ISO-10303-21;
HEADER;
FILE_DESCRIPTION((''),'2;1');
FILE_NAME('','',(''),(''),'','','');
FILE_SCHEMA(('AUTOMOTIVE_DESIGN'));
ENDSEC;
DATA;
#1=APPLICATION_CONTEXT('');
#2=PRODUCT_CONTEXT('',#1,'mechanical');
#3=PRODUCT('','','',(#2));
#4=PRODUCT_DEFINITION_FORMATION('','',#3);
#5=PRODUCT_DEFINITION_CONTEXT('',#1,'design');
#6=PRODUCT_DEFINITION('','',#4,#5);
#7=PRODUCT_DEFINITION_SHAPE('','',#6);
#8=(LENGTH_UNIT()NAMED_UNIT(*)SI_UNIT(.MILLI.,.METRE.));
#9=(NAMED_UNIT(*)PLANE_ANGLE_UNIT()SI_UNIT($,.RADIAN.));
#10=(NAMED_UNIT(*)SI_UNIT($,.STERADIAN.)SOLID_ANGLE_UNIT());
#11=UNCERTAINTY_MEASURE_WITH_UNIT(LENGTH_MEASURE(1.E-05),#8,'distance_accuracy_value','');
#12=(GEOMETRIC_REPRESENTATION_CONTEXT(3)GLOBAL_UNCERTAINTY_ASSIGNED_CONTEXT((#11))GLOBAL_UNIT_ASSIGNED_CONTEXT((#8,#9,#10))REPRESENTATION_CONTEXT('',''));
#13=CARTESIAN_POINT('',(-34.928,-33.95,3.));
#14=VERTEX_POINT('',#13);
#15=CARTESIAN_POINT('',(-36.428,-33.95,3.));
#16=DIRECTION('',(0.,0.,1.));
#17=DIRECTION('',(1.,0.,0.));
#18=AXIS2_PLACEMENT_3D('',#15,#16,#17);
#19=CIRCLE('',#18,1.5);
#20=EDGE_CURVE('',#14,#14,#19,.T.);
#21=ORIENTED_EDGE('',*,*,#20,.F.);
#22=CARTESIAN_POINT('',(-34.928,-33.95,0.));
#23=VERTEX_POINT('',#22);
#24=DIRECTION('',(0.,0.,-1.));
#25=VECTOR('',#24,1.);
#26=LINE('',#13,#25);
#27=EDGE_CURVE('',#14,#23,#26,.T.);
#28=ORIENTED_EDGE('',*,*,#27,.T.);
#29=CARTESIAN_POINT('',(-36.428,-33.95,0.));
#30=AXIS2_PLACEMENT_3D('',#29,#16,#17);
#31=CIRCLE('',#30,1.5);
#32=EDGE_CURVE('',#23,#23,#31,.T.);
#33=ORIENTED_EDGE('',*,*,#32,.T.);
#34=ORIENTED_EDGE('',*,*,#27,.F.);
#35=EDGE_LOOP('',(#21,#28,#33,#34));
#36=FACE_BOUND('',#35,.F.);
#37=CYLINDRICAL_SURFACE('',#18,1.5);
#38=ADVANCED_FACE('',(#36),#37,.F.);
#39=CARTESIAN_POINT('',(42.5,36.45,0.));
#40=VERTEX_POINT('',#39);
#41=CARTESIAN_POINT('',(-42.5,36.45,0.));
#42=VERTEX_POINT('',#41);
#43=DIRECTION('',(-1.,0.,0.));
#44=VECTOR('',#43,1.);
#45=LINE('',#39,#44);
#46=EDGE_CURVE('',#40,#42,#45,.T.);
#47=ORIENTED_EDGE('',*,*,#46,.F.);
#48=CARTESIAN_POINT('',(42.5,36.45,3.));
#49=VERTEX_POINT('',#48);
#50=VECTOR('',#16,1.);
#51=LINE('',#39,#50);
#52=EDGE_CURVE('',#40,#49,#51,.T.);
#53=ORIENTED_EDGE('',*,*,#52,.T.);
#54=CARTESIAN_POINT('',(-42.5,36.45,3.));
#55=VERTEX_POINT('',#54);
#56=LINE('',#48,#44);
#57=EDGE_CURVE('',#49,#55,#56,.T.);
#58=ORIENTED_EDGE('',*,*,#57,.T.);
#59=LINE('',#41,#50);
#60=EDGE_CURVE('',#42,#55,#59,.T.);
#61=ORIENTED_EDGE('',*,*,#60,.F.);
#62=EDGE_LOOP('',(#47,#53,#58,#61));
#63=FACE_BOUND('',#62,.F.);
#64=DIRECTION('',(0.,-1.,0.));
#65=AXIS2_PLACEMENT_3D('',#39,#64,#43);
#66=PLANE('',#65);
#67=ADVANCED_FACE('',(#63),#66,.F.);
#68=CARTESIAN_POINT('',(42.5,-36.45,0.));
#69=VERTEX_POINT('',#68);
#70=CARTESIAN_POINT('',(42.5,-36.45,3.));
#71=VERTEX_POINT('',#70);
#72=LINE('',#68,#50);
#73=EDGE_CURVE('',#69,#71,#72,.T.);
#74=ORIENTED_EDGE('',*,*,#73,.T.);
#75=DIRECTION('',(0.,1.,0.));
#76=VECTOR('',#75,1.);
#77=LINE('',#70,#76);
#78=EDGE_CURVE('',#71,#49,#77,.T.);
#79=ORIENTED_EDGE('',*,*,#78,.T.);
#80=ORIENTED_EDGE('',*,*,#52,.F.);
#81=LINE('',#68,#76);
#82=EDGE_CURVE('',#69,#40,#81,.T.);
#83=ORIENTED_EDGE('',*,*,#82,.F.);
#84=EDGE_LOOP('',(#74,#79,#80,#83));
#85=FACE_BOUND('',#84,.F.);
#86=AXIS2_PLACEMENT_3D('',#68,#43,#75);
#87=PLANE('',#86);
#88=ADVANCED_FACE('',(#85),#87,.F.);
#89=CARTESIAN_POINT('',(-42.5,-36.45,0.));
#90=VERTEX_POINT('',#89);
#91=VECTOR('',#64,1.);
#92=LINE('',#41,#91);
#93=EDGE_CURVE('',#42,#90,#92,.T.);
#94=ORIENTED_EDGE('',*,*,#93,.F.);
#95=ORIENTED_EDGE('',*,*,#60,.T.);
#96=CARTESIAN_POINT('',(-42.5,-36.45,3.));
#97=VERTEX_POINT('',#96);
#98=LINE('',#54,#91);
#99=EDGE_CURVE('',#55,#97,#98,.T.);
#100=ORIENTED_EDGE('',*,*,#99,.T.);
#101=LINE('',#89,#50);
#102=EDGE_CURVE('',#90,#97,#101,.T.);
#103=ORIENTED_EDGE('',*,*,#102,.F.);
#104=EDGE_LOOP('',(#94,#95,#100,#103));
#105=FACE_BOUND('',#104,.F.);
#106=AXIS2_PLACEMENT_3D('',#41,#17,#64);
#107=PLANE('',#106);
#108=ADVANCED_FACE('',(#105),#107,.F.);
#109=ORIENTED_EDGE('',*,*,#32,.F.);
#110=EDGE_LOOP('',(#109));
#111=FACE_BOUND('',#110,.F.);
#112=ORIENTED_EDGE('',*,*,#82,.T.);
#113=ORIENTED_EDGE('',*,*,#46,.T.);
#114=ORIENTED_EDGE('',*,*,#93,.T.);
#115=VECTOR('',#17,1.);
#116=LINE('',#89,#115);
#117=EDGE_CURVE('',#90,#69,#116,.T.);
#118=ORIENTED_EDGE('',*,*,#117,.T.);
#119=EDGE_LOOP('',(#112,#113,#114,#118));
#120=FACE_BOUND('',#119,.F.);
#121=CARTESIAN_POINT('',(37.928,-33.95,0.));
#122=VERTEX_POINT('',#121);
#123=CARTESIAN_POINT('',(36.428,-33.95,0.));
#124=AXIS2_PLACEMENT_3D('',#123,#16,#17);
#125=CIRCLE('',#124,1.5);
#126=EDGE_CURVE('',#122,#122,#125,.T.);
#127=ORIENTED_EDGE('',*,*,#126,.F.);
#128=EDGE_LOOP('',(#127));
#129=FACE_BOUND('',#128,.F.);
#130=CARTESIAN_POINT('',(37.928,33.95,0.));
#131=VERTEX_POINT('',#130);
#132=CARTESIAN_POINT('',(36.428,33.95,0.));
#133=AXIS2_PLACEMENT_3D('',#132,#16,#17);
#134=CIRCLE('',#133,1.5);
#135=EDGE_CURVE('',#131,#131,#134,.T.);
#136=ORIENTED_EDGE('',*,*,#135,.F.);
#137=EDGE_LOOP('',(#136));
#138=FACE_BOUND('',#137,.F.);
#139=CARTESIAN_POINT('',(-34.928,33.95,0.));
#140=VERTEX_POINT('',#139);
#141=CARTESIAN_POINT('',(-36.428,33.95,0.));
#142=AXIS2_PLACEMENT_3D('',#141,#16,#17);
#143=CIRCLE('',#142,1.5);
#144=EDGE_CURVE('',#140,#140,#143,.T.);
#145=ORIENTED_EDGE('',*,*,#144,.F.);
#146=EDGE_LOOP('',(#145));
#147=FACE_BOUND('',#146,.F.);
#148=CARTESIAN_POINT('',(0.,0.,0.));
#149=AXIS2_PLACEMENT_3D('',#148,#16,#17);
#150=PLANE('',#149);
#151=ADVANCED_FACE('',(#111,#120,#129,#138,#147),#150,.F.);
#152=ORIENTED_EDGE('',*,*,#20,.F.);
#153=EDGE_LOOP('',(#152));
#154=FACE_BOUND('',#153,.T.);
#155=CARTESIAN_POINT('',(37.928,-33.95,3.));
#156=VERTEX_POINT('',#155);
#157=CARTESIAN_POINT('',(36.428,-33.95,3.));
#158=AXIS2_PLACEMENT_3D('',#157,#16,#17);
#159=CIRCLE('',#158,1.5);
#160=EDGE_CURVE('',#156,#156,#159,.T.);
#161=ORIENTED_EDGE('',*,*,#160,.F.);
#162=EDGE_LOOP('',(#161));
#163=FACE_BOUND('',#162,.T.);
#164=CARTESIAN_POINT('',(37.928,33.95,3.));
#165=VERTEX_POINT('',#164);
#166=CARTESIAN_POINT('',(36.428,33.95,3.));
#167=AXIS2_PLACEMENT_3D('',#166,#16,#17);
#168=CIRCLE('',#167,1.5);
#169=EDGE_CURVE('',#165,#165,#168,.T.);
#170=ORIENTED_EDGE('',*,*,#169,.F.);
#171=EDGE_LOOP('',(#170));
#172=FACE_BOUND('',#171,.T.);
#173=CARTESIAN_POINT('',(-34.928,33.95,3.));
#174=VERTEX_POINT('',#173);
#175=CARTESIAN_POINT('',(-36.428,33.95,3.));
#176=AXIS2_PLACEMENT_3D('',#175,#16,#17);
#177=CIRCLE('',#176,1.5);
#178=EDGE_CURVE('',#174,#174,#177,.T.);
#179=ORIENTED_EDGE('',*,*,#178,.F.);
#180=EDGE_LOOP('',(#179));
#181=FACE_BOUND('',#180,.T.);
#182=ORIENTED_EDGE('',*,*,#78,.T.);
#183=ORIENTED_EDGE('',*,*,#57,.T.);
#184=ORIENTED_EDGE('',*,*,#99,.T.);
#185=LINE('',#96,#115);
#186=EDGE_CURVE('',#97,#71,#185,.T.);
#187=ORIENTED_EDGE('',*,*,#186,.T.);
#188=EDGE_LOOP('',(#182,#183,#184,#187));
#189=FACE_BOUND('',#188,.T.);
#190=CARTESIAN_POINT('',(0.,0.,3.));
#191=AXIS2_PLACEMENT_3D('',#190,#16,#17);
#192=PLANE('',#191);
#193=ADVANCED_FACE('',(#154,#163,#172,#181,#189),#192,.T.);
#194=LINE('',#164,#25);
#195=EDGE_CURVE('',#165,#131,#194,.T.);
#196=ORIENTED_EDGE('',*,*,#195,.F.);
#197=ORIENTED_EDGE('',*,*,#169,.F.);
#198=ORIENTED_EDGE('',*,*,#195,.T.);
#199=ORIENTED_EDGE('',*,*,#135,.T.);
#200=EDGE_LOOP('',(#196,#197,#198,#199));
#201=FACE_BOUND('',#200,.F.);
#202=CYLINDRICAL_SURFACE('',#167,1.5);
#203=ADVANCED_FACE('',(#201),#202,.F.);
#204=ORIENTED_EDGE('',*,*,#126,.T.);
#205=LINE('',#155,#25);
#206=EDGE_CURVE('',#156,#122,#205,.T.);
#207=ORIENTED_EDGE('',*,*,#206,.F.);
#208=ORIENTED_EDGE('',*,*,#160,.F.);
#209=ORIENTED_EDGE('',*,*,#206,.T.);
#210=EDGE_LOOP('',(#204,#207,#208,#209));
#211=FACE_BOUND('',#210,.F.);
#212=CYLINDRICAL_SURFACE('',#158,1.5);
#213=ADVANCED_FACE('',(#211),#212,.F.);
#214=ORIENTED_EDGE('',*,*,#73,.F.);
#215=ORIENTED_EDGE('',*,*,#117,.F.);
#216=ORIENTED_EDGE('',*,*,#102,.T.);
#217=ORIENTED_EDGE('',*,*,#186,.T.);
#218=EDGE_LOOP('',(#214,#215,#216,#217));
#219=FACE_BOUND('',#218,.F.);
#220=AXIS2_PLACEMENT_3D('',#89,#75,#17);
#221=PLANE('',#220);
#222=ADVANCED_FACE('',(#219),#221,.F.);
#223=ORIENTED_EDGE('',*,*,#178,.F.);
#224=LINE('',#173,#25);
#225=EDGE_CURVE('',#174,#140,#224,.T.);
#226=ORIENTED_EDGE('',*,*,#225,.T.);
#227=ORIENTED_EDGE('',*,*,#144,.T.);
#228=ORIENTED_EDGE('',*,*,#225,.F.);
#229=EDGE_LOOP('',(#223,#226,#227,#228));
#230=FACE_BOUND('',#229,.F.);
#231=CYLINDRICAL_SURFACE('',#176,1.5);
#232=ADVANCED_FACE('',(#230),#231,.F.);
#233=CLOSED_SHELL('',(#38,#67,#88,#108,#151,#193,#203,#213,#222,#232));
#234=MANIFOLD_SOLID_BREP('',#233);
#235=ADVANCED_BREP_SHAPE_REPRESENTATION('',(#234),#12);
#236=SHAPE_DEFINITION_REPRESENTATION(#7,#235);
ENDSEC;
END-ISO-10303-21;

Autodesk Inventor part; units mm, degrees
ref_plane "YZ Plane" through (0, 0, 0) normal (1, 0, 0) x (0, 1, 0)
ref_plane "XZ Plane" through (0, 0, 0) normal (0, 1, 0) x (-1, 0, 0)
ref_plane "XY Plane" through (0, 0, 0) normal (0, 0, 1) x (1, 0, 0)
sketch "Sketch1" plane through (0, 0, 0) normal (0, 0, 1) x (1, 0, 0)
  line L0 (-42.5, -36.45) -> (42.5, -36.45)
  line L1 (42.5, -36.45) -> (42.5, 36.45)
  line L2 (42.5, 36.45) -> (-42.5, 36.45)
  line L3 (-42.5, 36.45) -> (-42.5, -36.45)
  line L4 (-42.5, -36.45) -> (42.5, 36.45) construction
  line L5 (42.5, -36.45) -> (-42.5, 36.45) construction
  point P0 (0, 0)
  dimension "d0" = 85
  dimension "d1" = 72.9
extrude "Extrusion1" add sketch "Sketch1" along normal blind 3
sketch "Sketch2" plane through (0, 0, 3) normal (0, 0, 1) x (1, 0, 0)
  circle A0 centre (-36.428, 33.95) radius 1.5
  circle A1 centre (36.428, 33.95) radius 1.5
  circle A2 centre (-36.428, -33.95) radius 1.5
  circle A3 centre (36.428, -33.95) radius 1.5
  line L0 (-42.5, 36.45) -> (-42.5, -36.45) projected
  line L1 (42.5, 36.45) -> (-42.5, 36.45) projected
  line L2 (42.5, -36.45) -> (42.5, 36.45) projected
  line L3 (-42.5, -36.45) -> (42.5, -36.45) projected
  point P0 (0, 0)
  dimension "d4" = 3
  dimension "d5" = 3
  dimension "d6" = 3
  dimension "d7" = 6.072
  dimension "d8" = 2.5
  dimension "d9" = 2.5
  dimension "d10" = 6.072
  dimension "d11" = 2.5
  dimension "d12" = 6.072
  dimension "d13" = 6.072
  dimension "d14" = 2.5
extrude "Extrusion2" cut sketch "Sketch2" against normal blind 10 contours A0 | A1 | A2 | A3
properties part number "tapa"
